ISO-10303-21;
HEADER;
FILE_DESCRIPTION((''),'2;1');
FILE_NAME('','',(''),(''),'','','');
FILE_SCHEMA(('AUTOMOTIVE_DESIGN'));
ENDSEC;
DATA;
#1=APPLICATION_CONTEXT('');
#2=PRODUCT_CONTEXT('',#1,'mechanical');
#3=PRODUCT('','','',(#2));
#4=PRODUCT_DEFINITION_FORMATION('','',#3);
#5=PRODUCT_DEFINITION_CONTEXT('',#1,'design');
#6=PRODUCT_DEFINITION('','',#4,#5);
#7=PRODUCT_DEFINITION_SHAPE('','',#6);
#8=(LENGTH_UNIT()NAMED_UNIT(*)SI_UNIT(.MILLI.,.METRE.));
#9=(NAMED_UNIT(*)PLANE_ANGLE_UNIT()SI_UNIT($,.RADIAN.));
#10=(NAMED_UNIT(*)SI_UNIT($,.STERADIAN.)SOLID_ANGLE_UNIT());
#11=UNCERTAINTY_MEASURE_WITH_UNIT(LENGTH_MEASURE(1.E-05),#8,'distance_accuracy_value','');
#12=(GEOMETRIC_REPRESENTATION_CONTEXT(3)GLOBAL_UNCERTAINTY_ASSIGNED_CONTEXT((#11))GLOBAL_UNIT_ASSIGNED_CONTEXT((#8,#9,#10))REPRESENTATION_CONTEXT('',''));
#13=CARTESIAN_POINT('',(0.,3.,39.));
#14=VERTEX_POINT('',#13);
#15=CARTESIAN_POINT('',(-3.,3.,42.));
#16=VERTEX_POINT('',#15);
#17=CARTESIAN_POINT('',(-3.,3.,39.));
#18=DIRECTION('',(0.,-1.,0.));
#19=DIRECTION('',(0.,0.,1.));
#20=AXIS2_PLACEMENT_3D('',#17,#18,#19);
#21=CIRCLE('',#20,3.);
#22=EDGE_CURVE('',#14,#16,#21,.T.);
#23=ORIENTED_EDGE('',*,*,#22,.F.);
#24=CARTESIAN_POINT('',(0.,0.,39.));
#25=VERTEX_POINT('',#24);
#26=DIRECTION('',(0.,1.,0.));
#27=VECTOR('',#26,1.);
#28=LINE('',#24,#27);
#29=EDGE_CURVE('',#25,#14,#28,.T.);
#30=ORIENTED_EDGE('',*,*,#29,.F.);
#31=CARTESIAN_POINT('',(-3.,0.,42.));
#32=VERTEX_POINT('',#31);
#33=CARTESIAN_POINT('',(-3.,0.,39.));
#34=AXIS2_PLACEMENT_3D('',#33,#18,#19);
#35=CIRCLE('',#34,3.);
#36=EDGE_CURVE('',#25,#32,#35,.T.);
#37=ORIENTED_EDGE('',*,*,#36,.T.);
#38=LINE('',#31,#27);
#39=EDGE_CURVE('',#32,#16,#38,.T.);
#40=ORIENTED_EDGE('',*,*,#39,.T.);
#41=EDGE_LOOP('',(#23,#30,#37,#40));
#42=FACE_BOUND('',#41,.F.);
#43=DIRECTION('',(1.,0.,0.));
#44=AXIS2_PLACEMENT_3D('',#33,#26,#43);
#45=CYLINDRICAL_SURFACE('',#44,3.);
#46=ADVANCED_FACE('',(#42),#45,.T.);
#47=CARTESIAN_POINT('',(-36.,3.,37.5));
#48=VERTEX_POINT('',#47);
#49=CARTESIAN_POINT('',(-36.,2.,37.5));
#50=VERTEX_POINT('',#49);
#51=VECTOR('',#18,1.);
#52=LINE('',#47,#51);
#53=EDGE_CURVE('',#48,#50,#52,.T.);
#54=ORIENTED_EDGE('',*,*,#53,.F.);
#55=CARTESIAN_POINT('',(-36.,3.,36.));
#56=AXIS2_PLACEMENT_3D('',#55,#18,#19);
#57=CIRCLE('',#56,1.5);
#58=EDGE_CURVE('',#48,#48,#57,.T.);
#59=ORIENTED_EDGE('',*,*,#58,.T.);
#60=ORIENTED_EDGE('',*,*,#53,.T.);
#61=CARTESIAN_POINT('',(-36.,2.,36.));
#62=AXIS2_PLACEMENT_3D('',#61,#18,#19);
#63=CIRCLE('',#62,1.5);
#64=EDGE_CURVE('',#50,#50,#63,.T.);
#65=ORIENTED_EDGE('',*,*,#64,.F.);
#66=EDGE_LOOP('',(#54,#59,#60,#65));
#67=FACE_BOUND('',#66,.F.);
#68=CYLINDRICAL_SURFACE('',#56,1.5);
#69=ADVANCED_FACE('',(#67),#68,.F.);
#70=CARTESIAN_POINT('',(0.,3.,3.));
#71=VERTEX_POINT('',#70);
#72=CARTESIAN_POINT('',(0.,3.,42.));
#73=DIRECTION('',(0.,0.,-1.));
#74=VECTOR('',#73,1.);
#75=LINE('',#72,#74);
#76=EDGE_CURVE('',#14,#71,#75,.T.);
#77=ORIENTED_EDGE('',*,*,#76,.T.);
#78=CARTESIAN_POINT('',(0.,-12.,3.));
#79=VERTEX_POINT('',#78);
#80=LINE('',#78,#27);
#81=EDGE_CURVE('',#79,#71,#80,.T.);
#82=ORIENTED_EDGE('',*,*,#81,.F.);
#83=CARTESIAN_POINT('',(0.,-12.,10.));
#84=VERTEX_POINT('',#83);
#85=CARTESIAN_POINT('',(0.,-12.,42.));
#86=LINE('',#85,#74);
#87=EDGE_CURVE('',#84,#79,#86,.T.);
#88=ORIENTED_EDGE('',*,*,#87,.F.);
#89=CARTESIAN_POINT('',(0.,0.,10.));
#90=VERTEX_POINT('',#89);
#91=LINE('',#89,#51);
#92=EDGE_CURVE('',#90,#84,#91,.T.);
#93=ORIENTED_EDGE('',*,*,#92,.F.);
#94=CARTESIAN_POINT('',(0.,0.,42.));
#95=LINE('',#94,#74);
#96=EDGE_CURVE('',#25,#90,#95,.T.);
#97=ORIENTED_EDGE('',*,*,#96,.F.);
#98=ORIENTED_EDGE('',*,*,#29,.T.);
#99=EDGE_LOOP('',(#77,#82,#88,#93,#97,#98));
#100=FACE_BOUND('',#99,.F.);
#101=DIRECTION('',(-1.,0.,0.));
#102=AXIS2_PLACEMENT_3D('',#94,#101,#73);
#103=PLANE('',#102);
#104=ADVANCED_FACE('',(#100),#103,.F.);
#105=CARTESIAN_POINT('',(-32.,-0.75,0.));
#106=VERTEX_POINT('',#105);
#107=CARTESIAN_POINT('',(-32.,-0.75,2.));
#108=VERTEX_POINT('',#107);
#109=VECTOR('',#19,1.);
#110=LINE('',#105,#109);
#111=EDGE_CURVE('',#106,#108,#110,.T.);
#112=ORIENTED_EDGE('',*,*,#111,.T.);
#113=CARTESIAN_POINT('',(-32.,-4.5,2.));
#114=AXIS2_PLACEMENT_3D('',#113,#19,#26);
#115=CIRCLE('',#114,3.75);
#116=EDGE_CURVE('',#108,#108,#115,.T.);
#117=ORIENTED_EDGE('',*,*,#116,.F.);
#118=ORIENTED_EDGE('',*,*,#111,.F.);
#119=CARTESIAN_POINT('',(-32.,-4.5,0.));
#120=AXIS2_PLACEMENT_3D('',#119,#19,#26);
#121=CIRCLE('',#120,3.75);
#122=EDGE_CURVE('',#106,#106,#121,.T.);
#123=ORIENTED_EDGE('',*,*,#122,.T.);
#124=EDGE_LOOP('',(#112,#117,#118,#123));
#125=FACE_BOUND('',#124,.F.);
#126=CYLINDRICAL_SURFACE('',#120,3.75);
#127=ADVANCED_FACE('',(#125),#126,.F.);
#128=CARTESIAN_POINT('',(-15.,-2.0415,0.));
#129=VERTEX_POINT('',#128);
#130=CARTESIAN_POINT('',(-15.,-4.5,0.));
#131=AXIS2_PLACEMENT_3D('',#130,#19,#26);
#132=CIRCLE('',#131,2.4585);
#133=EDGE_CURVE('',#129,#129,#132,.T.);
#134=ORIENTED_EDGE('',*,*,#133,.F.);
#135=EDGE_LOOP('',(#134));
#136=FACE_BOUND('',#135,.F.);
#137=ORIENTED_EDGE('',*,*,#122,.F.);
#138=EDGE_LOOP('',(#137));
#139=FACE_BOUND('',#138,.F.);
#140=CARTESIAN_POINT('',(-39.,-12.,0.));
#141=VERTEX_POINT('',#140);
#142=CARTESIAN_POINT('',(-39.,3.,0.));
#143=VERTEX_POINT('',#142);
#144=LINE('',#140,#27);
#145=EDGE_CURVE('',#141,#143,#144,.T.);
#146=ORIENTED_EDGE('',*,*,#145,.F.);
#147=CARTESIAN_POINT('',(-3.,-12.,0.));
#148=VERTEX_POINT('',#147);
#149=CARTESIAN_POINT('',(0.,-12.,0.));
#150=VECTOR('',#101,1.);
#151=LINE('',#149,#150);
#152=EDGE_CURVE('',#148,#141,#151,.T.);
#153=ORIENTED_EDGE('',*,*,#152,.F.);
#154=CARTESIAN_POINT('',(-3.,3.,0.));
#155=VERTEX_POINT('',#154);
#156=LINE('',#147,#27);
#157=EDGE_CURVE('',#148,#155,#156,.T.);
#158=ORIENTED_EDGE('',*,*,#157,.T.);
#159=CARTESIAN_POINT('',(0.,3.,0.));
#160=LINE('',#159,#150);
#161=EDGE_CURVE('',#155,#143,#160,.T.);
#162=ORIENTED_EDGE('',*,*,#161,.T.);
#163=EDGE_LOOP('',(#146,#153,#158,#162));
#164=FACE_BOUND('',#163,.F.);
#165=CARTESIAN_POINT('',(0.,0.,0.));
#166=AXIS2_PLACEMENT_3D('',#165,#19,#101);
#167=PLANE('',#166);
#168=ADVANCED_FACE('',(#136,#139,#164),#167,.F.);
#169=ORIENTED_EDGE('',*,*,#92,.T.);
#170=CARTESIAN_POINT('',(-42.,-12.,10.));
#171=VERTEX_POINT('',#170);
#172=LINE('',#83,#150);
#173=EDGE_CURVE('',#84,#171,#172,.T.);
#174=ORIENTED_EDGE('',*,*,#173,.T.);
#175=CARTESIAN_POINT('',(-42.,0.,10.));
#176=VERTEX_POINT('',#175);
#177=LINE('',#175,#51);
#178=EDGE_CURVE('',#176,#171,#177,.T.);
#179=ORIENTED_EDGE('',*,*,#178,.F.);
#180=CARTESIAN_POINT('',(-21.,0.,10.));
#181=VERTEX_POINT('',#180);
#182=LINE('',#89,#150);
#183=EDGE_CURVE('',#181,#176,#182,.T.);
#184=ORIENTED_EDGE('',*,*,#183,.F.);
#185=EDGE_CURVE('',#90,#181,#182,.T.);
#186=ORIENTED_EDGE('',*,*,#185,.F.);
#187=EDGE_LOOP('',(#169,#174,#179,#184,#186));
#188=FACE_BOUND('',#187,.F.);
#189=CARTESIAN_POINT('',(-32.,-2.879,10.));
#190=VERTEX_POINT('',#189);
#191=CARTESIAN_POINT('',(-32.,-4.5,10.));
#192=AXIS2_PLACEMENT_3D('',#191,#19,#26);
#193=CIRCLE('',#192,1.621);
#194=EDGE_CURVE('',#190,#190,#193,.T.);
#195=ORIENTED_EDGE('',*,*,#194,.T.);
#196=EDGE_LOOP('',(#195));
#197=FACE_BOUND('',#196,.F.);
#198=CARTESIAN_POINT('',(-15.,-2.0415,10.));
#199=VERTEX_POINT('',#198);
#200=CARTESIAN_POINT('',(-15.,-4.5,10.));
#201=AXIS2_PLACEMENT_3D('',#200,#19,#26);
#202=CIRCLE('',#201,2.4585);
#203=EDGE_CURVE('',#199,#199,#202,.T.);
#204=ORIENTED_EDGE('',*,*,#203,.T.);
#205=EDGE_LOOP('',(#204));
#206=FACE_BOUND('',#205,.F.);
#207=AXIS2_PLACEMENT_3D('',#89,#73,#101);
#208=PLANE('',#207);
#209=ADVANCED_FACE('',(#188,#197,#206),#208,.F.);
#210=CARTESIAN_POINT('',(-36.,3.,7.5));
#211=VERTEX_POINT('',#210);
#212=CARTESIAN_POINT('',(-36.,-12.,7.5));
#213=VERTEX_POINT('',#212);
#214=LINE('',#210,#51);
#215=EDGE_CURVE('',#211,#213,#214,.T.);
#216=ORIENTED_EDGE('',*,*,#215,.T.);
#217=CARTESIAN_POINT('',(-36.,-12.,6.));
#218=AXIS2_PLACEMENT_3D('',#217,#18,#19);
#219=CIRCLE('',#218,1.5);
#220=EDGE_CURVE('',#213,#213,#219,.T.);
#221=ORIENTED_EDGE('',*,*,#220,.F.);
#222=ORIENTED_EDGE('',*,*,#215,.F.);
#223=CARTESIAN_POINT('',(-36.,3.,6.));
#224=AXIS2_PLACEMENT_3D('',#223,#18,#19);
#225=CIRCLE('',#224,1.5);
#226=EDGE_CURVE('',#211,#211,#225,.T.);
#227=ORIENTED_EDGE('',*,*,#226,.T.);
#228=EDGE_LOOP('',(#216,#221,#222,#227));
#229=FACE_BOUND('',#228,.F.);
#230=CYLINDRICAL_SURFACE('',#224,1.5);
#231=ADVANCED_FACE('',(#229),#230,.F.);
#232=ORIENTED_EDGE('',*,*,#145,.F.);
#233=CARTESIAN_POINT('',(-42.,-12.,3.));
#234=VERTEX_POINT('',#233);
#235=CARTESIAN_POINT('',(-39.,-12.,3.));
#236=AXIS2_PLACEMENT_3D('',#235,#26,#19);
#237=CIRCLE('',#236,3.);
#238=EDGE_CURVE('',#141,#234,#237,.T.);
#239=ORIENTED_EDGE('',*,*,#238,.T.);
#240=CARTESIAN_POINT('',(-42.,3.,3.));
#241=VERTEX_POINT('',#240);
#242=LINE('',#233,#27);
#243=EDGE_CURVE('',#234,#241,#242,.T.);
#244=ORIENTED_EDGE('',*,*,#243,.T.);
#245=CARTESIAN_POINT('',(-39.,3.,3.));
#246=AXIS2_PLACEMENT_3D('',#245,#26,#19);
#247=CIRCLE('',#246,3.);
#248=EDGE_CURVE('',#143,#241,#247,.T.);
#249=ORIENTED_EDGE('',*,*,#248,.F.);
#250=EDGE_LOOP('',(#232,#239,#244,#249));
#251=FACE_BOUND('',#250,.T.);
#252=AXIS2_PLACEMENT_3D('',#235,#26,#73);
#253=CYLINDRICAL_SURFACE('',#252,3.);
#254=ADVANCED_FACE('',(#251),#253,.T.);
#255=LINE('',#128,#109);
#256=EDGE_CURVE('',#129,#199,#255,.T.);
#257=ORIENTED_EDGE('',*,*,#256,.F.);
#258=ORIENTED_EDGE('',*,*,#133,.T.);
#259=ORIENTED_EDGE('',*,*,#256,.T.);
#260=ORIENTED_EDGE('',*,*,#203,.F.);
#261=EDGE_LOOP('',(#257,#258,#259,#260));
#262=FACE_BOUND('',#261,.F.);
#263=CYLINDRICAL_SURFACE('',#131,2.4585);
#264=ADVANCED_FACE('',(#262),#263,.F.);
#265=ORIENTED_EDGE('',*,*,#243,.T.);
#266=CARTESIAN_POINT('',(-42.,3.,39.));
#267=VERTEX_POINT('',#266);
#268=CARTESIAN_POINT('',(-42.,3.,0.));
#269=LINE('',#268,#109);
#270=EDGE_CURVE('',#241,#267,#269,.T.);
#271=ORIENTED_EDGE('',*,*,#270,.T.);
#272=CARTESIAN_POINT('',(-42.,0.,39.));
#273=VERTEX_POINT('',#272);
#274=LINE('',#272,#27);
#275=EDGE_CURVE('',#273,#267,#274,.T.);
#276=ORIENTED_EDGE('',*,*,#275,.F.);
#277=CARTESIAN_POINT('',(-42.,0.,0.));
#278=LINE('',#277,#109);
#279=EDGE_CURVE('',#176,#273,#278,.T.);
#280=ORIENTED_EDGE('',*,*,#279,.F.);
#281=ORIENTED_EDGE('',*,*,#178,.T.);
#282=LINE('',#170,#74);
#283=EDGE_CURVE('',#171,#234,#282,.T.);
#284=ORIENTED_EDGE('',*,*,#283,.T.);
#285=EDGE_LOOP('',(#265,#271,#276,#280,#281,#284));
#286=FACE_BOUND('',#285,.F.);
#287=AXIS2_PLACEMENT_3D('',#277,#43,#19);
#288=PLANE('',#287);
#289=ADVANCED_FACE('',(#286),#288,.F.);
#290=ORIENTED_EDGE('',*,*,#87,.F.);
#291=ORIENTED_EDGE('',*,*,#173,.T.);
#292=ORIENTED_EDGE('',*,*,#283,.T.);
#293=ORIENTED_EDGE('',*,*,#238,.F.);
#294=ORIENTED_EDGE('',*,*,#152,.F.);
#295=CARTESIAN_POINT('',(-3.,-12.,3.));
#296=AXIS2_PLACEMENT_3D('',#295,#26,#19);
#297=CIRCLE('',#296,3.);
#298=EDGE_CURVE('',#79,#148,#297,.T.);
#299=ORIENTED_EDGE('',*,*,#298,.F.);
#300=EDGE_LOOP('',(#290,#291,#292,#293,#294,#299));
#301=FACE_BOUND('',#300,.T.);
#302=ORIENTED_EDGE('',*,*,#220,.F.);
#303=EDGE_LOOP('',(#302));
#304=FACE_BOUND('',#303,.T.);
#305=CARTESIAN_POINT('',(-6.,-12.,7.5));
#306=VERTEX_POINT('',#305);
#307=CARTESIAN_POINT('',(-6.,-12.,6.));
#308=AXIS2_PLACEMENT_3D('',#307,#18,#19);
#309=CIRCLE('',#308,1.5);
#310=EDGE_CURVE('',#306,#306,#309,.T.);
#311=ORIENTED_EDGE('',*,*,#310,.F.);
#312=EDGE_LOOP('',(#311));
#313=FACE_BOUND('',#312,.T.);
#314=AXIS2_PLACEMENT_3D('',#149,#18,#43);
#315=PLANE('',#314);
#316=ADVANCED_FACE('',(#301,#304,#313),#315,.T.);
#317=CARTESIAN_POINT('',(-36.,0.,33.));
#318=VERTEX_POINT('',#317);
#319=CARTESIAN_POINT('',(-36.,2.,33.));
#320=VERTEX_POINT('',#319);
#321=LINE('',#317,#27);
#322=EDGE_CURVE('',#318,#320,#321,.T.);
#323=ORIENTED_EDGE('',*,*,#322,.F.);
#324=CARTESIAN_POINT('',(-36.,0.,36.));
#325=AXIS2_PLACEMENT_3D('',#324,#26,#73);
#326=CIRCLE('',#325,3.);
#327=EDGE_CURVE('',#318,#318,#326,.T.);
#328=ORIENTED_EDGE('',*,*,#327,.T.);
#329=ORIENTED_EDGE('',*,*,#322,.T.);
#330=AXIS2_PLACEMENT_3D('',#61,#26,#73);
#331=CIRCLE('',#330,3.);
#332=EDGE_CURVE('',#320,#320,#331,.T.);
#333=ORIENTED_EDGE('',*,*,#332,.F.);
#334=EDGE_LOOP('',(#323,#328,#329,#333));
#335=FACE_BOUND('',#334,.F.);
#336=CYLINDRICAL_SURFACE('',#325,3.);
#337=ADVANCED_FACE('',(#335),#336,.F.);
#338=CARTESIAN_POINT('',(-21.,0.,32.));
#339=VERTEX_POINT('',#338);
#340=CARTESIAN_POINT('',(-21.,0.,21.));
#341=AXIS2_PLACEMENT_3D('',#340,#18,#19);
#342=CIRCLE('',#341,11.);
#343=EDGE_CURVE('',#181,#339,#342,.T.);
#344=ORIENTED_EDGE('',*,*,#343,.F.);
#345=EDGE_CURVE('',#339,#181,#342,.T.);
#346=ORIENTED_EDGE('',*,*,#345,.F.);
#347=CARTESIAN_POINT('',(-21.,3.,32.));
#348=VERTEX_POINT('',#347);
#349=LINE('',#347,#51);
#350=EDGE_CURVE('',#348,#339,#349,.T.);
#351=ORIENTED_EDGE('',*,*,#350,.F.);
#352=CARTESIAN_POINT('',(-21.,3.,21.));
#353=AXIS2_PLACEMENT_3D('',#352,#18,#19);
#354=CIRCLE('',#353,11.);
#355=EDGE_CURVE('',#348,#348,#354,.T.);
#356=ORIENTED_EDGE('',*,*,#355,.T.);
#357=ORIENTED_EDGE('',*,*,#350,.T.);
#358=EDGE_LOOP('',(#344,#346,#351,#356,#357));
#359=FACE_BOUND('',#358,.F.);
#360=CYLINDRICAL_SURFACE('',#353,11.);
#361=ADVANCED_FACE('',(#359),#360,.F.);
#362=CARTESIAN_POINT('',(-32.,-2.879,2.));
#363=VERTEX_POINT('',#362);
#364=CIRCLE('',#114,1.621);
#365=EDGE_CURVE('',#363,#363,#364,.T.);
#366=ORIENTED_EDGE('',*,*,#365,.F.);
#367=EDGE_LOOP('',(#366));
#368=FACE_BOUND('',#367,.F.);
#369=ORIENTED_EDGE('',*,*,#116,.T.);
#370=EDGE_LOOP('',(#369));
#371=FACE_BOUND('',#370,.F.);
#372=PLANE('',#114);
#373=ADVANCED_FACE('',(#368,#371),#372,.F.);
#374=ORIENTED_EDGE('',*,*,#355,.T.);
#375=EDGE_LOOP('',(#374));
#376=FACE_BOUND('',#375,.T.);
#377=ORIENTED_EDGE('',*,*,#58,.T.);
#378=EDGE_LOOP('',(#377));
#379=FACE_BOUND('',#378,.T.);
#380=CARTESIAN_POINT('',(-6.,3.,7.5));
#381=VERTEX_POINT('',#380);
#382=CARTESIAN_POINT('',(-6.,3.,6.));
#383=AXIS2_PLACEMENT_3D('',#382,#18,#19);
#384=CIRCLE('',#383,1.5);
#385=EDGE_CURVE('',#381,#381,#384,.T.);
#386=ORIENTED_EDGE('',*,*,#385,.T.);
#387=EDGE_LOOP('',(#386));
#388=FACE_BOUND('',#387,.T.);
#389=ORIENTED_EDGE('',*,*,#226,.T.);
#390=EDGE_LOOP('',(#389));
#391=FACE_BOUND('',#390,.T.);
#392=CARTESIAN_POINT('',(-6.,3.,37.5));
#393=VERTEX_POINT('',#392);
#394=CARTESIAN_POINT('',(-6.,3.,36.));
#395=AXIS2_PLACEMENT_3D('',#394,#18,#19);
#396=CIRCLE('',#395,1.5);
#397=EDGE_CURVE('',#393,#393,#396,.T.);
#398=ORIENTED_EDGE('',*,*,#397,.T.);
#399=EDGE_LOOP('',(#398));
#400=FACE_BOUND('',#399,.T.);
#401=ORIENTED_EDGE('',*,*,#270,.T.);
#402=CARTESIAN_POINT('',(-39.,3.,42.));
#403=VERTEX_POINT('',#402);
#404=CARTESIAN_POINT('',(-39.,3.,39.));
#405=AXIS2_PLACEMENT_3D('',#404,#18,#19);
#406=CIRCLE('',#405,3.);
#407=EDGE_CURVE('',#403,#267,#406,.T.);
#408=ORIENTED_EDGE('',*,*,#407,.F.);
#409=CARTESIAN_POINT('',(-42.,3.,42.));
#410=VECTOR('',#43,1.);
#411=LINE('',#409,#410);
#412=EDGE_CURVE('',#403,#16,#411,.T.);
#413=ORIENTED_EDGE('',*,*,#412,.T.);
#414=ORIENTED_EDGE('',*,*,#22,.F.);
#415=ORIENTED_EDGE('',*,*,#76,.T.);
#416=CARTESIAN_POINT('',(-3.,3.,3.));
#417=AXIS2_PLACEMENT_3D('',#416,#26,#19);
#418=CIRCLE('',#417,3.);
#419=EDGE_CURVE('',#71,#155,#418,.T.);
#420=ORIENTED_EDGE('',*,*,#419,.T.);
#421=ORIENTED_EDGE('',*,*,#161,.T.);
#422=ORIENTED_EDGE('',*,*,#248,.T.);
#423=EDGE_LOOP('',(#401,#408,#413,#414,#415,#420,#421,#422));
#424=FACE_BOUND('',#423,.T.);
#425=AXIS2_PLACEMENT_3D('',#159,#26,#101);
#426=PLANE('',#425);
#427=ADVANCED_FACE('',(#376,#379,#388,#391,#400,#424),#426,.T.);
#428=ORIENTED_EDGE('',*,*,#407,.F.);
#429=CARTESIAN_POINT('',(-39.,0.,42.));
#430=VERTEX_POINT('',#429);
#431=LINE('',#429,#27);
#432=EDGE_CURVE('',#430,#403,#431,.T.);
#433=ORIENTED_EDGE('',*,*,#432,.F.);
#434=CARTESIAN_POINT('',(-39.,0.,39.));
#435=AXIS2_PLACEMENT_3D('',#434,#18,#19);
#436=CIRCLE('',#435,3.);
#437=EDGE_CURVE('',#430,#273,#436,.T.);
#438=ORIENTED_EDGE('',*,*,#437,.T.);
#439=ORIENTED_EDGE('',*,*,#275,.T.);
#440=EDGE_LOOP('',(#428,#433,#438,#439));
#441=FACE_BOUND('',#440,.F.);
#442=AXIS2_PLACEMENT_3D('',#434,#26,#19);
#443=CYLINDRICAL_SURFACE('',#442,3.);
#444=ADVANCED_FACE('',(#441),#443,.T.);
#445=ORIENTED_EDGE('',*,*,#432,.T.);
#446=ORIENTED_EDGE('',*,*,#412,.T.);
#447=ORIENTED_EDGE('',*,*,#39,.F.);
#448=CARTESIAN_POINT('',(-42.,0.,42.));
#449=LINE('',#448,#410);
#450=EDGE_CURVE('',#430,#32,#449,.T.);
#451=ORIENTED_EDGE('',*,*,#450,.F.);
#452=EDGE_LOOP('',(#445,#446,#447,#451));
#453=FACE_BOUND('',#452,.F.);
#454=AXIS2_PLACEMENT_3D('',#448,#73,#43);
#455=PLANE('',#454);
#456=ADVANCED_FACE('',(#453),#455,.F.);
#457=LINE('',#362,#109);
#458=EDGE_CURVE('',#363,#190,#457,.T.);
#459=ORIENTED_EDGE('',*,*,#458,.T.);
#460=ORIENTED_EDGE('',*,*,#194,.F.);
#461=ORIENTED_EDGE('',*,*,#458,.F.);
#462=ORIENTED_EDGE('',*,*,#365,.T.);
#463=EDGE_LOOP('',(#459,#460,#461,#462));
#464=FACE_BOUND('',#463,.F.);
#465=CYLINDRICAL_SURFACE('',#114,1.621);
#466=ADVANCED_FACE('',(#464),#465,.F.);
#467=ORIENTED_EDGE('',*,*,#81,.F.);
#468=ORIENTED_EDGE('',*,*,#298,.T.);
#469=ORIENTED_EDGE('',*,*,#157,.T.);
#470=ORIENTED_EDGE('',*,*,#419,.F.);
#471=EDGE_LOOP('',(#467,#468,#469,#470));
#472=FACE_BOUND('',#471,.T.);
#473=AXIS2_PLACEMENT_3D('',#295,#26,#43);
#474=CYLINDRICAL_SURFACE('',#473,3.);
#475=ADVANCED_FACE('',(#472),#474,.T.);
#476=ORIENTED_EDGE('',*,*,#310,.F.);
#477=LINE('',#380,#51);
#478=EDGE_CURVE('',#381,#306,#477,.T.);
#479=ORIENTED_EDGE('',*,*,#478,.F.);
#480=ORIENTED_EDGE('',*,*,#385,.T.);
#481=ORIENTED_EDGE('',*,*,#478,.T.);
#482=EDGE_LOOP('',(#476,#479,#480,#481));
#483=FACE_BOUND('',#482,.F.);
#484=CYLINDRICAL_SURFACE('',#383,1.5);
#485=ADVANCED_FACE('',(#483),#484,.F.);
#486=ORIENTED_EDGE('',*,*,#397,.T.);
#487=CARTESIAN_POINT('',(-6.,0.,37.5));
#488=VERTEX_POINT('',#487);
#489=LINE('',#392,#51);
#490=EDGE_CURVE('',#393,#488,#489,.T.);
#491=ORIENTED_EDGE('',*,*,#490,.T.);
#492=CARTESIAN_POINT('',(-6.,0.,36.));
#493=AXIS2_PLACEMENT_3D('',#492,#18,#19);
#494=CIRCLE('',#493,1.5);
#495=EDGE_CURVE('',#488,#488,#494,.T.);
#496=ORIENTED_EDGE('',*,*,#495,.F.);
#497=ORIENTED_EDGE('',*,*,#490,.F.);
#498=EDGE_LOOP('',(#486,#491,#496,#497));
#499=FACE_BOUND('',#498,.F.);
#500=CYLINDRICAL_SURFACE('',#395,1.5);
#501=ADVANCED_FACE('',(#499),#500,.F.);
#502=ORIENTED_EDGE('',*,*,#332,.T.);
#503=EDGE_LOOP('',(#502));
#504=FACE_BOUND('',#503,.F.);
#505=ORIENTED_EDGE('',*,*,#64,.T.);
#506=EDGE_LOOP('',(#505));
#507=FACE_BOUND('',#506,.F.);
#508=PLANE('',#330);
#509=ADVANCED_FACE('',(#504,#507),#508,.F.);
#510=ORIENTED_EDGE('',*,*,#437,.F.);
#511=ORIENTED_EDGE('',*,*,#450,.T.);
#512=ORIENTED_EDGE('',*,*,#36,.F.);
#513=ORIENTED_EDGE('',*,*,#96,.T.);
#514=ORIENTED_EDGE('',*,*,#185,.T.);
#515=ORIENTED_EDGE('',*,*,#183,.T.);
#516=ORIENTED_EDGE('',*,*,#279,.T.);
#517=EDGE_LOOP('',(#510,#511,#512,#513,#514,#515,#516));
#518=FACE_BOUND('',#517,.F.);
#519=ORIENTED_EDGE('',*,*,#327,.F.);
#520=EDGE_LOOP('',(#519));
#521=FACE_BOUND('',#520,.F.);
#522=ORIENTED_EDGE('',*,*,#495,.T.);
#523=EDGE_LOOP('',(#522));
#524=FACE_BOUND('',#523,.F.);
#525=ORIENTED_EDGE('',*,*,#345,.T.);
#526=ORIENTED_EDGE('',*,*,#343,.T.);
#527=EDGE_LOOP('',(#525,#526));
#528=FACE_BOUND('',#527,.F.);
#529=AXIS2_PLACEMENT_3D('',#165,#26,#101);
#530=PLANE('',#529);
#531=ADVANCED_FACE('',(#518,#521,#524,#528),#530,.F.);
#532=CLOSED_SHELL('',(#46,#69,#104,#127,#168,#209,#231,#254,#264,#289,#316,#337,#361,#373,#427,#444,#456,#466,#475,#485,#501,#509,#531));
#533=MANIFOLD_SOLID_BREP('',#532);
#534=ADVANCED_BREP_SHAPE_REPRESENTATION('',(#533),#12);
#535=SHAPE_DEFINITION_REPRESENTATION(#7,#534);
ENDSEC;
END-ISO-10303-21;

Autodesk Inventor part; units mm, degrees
ref_plane "YZ Plane" through (0, 0, 0) normal (1, 0, 0) x (0, 1, 0)
ref_plane "XZ Plane" through (0, 0, 0) normal (0, 1, 0) x (-1, 0, 0)
ref_plane "XY Plane" through (0, 0, 0) normal (0, 0, 1) x (1, 0, 0)
sketch "草圖1" plane through (0, 0, 0) normal (0, 1, 0) x (-1, 0, 0)
  line L0 (0, 0) -> (42, 0)
  line L1 (42, 0) -> (42, 42)
  line L2 (42, 42) -> (0, 42)
  line L3 (0, 42) -> (0, 0)
  dimension "d0" = 42
  dimension "d1" = 42
extrude "擠出1" add sketch "草圖1" along normal blind 3
sketch "草圖2" plane through (0, 0, 0) normal (0, -1, 0) x (1, 0, 0)
  line L0 (0, 0) -> (-42, 0) projected
  line L1 (0, 42) -> (0, 0) projected
  line L2 (-42, 0) -> (0, 0)
  line L3 (0, 0) -> (0, 10)
  line L4 (0, 10) -> (-42, 10)
  line L5 (-42, 10) -> (-42, 0)
  dimension "d4" = 10
extrude "擠出2" add sketch "草圖2" along normal blind 12
sketch "草圖3" plane through (0, 3, 0) normal (0, 1, 0) x (1, 0, 0)
  point P0 (-21, -21)
hole "孔1" at (-21, 3, 21) direction (0, -1, 0) diameter 22 end through all
sketch "草圖4" plane through (0, 3, 0) normal (0, 1, 0) x (1, 0, 0)
  circle A0 centre (-21, -21) radius 11 projected
  point P0 (-36, -6)
  point P1 (-36, -36)
  point P2 (-6, -6)
  point P3 (-6, -36)
  dimension "d15" = 15
  dimension "d16" = 15
  dimension "d17" = 15
  dimension "d18" = 15
hole "孔2" at (-36, 3, 6) at (-36, 3, 36) at (-6, 3, 6) at (-6, 3, 36) direction (0, -1, 0) diameter 3 end through all
fillet "圓角1" radius 3 4 edges at (0, 1.5, 42) (0, -4.5, 0) (-42, 1.5, 42) (-42, -4.5, 0)
sketch "草圖5" plane through (0, 0, 0) normal (0, -1, 0) x (1, 0, 0)
  circle A0 centre (-36, 36) radius 1.5 projected
  point P0 (0, 0)
hole "孔3" at (-36, 0, 36) direction (0, 1, 0) diameter 6 depth 2
sketch "草圖6" plane through (-3, 3, 0) normal (0, 0, -1) x (-1, 0, 0)
  line L0 (0, 0) -> (36, 0) projected
  line L1 (-3, 0) -> (-3, -15) projected
  point P0 (-3, -3)
  point P1 (12, -7.5)
  dimension "d35" = 7.5
  dimension "d36" = 15
hole "孔4" at (-15, -4.5, 0) direction (0, 0, 1) diameter 4.917 end through all thread size "M6x1" class "6H" standard "ANSI Metric M Profile"
sketch "草圖7" plane through (-3, 3, 0) normal (0, 0, -1) x (-1, 0, 0)
  line L0 (39, -15) -> (39, 0) projected
  point P0 (-3, -3)
  point P1 (29, -7.5)
  dimension "d44" = 10
hole "孔5" at (-32, -4.5, 0) direction (0, 0, 1) diameter 3.242 end through all counterbore diameter 7.5 counterbore depth 2 thread size "M4x0.7" class "6H" standard "ANSI Metric M Profile"
properties part number "extruder_base"
